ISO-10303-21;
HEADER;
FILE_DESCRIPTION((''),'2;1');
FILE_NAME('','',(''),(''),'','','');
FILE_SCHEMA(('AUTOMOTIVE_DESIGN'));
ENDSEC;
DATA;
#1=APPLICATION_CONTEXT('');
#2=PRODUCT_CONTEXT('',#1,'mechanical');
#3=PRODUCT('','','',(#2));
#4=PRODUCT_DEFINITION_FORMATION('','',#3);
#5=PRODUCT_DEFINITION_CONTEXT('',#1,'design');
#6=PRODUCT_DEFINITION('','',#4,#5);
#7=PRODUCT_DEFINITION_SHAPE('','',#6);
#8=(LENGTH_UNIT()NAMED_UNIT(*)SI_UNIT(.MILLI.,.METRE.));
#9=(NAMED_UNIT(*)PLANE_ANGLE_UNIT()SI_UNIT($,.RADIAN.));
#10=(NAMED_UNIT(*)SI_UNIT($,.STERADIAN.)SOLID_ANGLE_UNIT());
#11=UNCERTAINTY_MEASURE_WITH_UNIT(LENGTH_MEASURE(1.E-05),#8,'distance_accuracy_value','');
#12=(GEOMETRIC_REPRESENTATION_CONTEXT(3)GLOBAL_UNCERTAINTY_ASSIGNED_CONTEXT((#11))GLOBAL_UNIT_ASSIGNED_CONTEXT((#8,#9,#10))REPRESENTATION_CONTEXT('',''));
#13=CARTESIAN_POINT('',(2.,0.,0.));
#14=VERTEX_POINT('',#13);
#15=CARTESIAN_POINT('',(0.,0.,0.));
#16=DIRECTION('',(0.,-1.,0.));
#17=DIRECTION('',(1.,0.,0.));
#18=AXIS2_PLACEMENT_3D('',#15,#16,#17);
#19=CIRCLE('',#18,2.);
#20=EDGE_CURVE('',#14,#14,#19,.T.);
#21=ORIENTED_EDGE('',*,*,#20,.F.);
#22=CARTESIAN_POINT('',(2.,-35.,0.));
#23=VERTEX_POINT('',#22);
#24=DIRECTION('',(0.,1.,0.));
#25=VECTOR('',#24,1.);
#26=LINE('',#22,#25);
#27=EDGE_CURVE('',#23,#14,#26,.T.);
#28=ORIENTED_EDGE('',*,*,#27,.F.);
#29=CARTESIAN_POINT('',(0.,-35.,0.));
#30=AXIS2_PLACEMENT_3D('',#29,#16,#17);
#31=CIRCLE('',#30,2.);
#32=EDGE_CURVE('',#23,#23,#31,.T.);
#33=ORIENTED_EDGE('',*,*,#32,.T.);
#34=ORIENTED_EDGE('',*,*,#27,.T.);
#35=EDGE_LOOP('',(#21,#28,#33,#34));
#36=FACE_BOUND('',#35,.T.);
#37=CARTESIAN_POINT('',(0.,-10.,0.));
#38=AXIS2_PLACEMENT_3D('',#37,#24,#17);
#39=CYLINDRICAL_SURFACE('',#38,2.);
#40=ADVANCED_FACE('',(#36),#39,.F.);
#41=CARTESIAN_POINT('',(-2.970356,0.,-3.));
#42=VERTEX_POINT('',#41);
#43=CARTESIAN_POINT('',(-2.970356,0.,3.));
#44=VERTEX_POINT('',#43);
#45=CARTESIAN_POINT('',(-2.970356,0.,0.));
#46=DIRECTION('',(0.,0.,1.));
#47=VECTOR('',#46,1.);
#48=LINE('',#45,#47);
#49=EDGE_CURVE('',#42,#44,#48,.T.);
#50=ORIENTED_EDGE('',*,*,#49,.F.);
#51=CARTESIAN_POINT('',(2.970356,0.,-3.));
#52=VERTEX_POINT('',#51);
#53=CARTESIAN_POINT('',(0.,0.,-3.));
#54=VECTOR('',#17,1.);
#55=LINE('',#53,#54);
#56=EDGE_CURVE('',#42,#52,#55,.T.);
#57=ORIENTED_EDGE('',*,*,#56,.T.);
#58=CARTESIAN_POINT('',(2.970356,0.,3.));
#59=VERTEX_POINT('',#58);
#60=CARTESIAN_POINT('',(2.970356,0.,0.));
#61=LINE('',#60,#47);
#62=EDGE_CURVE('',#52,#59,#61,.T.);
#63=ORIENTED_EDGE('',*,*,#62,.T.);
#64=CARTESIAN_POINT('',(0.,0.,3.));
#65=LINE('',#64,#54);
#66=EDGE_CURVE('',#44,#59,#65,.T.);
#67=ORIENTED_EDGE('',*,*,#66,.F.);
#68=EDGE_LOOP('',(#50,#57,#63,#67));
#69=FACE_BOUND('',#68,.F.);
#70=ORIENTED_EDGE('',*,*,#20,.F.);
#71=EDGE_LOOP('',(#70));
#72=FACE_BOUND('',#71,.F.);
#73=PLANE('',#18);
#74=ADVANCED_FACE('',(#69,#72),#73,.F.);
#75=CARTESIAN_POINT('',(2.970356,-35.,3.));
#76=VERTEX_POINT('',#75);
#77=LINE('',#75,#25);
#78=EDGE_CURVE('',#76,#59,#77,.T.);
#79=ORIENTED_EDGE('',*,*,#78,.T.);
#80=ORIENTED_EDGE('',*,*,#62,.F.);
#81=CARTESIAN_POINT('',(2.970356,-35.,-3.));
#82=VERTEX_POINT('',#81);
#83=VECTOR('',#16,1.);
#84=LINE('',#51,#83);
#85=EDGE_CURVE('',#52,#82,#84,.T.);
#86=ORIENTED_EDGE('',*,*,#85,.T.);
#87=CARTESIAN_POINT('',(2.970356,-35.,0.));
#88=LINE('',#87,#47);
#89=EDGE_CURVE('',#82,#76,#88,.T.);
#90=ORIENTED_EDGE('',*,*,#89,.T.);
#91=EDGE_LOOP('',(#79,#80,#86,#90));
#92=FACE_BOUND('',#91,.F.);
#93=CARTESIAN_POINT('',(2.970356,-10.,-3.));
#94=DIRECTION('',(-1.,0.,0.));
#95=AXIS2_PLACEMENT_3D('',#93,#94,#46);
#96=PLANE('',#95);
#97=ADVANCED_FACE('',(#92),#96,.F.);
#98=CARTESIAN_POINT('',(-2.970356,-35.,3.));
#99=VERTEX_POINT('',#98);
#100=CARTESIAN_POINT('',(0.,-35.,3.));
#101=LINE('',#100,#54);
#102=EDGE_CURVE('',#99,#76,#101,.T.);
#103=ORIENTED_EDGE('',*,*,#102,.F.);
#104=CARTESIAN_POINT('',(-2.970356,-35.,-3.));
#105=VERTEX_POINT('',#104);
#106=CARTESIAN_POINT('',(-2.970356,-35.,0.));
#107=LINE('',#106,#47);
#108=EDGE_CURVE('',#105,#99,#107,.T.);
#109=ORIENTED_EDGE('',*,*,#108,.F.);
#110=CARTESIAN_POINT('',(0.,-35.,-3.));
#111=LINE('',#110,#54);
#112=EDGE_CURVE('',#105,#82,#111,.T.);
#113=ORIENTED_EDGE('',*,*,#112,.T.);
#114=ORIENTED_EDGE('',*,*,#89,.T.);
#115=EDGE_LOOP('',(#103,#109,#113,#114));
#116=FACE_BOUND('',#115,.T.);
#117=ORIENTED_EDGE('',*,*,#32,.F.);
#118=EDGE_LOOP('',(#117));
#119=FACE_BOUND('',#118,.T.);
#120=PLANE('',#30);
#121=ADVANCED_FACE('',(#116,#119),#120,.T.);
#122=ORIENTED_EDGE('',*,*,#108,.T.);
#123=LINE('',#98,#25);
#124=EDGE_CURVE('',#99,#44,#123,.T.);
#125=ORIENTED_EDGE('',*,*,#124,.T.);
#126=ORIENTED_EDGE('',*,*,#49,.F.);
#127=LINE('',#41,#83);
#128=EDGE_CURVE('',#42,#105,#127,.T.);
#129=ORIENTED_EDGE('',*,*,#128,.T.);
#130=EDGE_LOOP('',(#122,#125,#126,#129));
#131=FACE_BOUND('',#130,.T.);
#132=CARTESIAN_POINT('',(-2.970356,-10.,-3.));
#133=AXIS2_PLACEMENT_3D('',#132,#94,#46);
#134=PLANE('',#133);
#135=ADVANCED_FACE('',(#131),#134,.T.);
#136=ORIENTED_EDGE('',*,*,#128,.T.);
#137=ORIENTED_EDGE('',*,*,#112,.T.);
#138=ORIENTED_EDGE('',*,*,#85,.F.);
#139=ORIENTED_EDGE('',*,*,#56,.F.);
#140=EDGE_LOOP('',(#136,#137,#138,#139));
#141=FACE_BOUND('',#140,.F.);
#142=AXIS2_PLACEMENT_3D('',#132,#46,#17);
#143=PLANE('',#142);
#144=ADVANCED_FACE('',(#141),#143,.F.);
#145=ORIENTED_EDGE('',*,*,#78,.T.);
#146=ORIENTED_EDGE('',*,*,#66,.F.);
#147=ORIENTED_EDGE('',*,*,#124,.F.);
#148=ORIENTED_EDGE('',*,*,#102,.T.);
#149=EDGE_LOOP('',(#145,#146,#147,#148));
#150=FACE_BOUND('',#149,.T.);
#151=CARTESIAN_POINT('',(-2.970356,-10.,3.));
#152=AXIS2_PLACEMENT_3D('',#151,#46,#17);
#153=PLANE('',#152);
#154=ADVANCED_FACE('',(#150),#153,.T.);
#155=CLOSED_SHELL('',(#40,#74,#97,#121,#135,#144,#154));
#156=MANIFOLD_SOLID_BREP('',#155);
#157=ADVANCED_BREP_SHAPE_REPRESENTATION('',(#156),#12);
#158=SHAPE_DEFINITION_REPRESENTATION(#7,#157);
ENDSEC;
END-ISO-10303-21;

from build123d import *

# Parameters (mm, degrees)
F0_W      = 5.940712
F0_H      = 6
F0_R      = 2
F1_DEPTH  = 10
F1_FACE_W = 5.940712
F1_FACE_H = 6
F1_FACE_R = 2
F2_DEPTH  = 25


with BuildPart() as f1:
    # F0 (on Front) → F1 (new body)
    with BuildSketch(Plane.XZ):
        Rectangle(F0_W, F0_H)
        Circle(F0_R, mode=Mode.SUBTRACT)
    extrude(amount=F1_DEPTH)

    # F1_face (on face) → F2 (join)
    with BuildSketch(Plane.XZ.offset(10)):
        Rectangle(F1_FACE_W, F1_FACE_H)
        Circle(F1_FACE_R, mode=Mode.SUBTRACT)
    extrude(amount=F2_DEPTH)


solid = f1.part
